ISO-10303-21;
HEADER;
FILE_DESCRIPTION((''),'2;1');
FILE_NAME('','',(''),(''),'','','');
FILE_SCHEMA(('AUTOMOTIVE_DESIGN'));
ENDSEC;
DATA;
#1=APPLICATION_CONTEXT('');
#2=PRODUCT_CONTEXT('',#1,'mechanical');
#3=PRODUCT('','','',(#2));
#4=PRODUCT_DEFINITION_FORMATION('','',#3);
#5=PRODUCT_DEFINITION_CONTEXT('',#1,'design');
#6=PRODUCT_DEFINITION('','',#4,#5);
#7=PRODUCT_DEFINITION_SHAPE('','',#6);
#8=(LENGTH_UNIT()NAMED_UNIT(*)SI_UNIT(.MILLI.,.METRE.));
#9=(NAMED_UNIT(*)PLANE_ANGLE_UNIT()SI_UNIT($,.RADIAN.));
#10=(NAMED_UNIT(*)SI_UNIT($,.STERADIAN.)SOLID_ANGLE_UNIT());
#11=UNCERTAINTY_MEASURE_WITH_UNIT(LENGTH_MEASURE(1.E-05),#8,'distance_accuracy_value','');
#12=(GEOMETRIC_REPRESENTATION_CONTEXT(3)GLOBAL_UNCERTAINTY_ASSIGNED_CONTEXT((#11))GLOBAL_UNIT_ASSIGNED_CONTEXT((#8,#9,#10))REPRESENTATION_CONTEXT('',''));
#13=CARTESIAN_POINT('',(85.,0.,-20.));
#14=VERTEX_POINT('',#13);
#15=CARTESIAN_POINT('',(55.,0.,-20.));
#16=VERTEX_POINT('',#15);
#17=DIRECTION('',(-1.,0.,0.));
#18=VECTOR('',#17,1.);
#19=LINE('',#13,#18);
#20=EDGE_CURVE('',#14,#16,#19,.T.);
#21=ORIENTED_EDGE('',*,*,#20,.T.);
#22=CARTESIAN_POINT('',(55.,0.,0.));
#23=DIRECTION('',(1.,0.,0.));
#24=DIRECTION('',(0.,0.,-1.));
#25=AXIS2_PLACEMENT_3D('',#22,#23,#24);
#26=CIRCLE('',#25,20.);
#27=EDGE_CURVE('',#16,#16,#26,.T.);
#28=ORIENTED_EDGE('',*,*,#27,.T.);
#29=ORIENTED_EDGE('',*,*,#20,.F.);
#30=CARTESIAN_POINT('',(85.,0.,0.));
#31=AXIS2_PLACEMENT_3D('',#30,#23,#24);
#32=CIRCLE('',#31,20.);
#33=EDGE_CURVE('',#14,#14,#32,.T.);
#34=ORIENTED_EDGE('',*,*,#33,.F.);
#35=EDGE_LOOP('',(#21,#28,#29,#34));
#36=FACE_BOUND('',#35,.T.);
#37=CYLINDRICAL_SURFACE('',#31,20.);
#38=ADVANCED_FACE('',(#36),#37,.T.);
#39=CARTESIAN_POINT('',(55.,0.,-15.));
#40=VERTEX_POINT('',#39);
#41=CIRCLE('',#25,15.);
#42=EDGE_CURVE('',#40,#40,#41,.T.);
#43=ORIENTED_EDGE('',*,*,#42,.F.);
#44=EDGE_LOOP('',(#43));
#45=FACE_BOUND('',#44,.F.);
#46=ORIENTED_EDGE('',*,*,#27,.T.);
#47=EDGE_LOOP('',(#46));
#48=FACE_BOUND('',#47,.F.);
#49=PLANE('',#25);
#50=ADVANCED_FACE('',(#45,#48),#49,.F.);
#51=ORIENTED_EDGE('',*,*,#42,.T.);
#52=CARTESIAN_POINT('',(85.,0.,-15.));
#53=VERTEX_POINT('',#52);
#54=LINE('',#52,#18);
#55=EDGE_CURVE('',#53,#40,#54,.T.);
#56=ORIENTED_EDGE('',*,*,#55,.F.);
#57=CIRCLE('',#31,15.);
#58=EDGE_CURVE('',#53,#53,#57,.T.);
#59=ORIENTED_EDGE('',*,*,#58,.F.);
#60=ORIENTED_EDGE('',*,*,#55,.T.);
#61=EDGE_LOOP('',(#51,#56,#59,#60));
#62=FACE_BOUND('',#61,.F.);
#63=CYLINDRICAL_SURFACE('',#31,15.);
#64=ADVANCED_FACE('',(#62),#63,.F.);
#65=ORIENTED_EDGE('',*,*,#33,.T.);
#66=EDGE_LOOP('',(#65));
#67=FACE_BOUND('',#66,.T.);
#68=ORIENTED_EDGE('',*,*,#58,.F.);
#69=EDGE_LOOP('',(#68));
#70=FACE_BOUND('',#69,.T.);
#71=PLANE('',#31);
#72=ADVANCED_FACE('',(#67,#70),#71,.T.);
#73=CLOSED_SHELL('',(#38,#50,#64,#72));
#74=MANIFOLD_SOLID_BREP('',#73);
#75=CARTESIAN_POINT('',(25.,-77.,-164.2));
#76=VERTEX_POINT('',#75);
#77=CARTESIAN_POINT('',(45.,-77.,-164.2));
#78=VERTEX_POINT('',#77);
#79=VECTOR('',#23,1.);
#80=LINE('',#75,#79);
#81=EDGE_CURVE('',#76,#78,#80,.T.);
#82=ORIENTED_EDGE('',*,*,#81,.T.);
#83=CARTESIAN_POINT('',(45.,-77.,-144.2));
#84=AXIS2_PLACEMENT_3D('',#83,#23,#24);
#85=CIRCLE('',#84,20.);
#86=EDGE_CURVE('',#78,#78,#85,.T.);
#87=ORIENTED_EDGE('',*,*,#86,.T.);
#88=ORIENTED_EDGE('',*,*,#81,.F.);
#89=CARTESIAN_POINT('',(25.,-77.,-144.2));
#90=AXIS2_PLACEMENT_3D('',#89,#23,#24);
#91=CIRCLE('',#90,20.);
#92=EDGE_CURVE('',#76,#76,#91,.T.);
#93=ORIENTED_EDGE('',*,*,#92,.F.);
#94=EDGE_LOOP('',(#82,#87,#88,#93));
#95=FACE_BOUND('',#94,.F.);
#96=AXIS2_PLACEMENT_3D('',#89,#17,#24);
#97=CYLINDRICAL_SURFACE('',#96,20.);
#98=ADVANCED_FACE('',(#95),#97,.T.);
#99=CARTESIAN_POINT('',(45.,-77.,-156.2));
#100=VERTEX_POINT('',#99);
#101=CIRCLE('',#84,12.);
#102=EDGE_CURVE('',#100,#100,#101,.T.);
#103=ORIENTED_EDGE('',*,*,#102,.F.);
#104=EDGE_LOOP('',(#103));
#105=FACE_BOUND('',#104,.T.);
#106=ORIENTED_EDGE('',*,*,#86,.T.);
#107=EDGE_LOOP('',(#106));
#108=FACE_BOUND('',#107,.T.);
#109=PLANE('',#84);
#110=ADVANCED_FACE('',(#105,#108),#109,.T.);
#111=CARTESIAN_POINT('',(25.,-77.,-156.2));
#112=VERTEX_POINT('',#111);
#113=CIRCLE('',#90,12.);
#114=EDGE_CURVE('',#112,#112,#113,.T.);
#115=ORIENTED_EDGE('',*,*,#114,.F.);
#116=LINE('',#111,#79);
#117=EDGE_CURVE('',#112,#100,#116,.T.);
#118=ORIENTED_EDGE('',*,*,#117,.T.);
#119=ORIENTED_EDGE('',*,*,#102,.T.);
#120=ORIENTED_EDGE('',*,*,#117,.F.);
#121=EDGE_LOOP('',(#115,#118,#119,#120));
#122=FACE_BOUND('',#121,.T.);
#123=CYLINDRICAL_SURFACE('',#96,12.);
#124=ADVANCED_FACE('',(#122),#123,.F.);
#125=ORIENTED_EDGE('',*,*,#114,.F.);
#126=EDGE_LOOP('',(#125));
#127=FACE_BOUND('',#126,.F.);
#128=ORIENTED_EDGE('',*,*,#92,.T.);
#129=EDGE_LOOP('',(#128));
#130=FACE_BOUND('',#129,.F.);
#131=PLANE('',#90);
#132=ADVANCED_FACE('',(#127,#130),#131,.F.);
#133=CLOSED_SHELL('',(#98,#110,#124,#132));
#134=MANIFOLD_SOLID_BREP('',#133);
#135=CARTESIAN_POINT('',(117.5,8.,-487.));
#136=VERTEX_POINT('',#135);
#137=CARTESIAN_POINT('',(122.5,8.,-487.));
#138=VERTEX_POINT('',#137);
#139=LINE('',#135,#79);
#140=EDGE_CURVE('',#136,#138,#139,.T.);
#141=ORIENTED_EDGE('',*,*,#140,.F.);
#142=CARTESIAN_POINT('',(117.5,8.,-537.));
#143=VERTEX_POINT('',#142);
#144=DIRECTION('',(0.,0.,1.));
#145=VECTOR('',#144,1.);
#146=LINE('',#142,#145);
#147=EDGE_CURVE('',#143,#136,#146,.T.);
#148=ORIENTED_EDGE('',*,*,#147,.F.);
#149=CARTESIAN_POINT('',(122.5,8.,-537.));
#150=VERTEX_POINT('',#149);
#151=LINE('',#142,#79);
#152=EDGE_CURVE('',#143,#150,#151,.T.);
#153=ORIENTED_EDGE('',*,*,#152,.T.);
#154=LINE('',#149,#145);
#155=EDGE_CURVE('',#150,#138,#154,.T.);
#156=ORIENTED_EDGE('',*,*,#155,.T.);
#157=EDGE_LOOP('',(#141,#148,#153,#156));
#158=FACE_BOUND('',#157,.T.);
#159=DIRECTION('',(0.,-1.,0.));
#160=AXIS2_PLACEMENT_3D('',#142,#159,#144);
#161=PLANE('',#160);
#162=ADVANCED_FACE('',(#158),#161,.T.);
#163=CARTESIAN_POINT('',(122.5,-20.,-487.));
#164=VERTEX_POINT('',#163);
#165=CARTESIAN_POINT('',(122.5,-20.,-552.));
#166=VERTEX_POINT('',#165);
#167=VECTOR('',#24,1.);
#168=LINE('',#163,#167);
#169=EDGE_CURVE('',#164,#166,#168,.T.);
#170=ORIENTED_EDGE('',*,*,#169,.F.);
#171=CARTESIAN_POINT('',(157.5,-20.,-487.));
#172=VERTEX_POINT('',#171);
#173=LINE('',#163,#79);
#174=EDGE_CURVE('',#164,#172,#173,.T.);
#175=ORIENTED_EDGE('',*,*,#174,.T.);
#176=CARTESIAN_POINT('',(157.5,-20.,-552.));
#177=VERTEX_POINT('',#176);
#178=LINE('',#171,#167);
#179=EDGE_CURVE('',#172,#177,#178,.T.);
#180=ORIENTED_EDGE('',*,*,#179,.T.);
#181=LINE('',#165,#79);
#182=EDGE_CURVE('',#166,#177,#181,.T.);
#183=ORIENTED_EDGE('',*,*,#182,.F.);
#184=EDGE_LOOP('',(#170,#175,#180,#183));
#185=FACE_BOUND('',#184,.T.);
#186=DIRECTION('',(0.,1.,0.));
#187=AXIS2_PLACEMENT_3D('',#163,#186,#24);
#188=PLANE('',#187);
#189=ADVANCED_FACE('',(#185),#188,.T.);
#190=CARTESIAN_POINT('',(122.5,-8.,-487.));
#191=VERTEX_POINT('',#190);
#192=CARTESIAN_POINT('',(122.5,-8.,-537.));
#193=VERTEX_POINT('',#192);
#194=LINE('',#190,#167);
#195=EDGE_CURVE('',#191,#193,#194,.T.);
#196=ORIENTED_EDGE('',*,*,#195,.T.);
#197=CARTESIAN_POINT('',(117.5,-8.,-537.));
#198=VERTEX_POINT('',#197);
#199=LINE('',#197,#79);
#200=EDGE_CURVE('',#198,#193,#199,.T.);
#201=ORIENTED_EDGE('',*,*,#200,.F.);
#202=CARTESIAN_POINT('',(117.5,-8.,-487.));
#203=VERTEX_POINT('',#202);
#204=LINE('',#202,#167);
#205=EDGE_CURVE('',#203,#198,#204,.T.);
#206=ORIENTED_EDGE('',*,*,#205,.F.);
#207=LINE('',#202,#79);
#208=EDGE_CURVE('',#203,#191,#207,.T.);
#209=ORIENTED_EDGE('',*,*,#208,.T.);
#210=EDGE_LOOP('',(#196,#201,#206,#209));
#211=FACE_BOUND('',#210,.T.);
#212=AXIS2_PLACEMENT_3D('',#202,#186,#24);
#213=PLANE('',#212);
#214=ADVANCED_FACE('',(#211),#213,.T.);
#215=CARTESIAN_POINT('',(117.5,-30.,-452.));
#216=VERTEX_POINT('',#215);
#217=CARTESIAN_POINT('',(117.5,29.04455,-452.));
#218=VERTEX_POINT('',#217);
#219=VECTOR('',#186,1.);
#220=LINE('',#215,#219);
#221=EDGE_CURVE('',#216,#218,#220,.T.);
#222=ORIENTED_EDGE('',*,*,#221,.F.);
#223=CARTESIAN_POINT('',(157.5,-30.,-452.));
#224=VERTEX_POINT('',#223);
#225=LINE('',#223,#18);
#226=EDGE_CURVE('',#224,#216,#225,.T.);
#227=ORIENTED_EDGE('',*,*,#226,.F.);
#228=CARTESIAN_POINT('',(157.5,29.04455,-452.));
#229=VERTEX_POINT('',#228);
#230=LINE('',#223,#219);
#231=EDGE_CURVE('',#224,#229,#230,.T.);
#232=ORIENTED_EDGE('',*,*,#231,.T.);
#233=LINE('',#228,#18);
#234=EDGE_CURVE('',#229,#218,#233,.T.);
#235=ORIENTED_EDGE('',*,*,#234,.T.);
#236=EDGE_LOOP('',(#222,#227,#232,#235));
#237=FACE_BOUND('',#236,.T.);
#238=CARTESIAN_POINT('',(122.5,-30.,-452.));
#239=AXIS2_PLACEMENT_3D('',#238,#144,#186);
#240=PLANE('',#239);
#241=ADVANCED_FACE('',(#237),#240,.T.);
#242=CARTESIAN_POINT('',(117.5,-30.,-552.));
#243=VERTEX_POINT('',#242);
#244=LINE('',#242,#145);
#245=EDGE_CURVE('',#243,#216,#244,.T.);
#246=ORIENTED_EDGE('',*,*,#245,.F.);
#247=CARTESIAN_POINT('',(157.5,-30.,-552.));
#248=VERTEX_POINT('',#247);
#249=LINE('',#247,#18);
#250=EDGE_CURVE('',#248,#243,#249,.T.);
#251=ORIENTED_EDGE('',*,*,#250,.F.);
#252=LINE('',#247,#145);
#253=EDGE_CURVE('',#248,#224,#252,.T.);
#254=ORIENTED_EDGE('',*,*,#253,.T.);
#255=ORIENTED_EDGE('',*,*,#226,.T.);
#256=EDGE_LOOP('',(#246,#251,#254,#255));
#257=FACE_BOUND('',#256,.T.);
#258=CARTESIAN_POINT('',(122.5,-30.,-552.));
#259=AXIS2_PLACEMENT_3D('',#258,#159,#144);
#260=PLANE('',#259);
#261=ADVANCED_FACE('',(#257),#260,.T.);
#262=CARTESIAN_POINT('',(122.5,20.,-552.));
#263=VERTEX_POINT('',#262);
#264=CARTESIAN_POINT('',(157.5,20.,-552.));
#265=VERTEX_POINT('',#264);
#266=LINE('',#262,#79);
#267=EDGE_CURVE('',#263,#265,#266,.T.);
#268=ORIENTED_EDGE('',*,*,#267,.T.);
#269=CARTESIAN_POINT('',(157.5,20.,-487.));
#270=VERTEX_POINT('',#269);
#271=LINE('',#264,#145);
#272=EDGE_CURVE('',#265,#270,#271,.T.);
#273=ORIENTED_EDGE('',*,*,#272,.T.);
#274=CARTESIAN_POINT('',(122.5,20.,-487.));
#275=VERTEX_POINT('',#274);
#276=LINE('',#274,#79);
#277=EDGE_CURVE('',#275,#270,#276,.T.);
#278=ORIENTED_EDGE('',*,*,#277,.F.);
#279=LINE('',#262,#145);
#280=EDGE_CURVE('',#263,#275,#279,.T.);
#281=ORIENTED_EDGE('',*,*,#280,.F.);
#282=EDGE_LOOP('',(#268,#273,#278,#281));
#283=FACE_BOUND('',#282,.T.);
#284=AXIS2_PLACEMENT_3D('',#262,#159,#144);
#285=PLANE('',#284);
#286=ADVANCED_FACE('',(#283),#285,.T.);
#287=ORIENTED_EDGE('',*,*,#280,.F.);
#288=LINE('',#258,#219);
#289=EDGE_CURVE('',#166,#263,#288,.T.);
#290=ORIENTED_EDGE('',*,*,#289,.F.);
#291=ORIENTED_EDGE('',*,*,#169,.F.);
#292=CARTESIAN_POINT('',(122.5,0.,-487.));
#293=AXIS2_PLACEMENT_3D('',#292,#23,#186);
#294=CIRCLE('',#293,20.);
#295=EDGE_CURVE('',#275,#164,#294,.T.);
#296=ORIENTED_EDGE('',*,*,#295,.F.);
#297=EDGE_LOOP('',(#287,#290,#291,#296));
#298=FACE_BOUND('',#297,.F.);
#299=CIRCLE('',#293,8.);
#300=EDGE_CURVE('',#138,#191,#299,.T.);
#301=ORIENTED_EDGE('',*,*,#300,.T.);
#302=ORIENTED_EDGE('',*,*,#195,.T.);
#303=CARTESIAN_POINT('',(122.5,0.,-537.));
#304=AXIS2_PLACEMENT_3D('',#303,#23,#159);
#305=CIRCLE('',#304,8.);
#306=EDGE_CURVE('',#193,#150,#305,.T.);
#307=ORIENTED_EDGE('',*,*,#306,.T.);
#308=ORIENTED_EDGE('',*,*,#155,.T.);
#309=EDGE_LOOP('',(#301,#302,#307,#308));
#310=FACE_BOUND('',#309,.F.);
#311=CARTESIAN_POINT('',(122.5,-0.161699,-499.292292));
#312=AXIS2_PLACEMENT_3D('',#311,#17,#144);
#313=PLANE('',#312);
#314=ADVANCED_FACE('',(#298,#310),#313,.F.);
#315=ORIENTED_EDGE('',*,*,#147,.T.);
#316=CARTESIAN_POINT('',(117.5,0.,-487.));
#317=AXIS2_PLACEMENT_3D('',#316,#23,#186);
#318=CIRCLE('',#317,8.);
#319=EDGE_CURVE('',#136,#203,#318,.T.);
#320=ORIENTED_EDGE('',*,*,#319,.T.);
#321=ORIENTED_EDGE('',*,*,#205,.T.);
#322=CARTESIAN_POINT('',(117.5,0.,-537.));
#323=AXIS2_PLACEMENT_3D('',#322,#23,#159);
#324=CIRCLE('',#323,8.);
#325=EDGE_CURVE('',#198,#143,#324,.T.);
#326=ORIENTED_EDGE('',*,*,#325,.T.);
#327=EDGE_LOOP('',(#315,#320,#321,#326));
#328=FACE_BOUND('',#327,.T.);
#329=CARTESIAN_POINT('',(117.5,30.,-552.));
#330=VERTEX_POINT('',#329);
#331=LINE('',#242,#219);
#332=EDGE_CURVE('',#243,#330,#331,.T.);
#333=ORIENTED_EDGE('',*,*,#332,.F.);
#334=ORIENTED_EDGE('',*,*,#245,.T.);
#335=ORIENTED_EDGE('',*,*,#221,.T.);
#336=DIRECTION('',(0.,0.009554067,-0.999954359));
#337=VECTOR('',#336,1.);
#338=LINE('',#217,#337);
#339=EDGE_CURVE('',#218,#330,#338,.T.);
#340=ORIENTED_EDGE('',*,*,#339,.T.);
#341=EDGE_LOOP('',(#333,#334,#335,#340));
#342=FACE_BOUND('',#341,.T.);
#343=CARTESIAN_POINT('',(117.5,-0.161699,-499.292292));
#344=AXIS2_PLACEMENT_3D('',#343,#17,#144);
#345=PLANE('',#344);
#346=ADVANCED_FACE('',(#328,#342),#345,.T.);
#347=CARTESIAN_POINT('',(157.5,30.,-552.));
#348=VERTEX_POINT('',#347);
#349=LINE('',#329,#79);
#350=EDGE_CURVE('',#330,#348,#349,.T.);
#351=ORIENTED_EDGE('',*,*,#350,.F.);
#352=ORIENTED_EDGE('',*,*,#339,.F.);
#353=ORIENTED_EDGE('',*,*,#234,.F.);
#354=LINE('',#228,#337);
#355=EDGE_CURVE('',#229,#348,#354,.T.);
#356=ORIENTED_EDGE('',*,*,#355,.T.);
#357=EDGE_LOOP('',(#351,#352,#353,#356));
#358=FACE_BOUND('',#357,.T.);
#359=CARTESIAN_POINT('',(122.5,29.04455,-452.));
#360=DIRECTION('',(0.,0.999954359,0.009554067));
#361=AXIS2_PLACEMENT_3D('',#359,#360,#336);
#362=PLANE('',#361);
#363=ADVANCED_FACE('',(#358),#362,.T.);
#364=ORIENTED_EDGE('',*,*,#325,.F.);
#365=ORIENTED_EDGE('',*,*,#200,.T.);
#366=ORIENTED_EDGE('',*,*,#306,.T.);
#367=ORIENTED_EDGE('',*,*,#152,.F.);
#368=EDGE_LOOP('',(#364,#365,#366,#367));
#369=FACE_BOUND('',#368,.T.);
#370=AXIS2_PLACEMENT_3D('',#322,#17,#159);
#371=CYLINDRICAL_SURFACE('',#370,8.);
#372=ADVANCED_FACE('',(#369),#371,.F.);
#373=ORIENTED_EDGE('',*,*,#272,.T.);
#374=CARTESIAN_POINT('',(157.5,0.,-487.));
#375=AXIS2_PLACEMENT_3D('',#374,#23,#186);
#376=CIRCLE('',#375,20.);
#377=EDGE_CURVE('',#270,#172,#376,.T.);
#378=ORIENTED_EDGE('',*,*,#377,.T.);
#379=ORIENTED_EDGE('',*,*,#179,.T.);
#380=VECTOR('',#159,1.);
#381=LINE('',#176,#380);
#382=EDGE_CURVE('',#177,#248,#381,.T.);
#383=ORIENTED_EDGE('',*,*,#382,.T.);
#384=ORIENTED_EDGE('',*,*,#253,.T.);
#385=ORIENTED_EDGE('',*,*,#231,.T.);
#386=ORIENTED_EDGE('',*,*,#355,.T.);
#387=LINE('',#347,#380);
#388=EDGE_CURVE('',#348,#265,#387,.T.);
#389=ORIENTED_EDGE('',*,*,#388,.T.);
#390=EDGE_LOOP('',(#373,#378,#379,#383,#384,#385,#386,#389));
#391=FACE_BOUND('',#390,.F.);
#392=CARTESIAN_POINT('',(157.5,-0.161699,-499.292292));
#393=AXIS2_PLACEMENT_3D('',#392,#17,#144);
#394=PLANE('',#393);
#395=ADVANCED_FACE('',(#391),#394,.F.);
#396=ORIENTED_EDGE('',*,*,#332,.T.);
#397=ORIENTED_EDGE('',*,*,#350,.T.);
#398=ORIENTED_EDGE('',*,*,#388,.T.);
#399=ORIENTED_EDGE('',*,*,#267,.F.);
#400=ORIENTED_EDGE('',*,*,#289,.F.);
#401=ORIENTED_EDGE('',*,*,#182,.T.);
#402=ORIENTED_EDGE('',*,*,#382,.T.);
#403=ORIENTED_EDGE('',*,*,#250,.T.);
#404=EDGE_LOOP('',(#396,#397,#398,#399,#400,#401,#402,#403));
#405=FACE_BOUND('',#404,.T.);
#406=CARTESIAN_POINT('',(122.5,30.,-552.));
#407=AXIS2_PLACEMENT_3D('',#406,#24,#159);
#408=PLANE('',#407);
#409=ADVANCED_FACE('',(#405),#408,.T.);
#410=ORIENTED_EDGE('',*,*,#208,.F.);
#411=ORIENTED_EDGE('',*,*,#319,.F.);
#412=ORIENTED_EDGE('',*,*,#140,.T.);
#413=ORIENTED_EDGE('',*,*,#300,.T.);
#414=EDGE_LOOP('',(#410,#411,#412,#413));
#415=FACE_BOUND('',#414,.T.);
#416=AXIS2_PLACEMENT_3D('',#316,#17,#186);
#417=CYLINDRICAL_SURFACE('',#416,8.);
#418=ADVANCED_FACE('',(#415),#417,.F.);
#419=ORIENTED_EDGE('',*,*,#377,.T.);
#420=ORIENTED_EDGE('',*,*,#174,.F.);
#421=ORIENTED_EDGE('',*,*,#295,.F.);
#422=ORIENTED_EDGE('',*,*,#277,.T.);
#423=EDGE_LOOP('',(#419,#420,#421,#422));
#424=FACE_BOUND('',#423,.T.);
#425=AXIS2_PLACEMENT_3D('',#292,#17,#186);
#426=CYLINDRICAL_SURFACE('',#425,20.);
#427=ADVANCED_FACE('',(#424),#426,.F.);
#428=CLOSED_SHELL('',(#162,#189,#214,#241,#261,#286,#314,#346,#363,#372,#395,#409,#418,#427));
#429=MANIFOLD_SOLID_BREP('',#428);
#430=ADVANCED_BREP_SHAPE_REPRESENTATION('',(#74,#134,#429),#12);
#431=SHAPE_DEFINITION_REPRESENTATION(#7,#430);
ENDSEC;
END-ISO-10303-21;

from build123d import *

# Parameters (mm, degrees)
TYLNE_START              = -7.5
TYLNE_KO_O_DEPTH         = 5
TYLENE_START             = -2.5
TYLENE_KO_O_2_DEPTH      = 35
RAMA_START               = -50
SZKIC_INSERT_RAMA_R      = 20
SZKIC_INSERT_RAMA_R_2    = 15
RAMA_DEPTH               = 30
LINKAGE_START            = 25
SZKIC_INSERT_LINKAGE_R   = 20
SZKIC_INSERT_LINKAGE_R_2 = 12
LINKAGE_DEPTH            = 20


with BuildPart() as part:
    # Szkic - insert - tylne koło → Tylne koło (new body)
    with BuildSketch(Plane(origin=(125, 0, 0), x_dir=(0, 0, -1), z_dir=(1, 0, 0)).offset(TYLNE_START)):
        with BuildLine():
            ThreePointArc((487, 20), (467, 0), (487, -20))
            Line((487, -20), (552, -20))
            Line((552, -20), (552, -30))
            Line((552, -30), (452, -30))
            Line((452, -30), (452, 29.044549731))
            Line((452, 29.044549731), (552, 30))
            Line((552, 30), (552, 20))
            Line((552, 20), (487, 20))
        make_face()
        with BuildLine():
            Line((487, 20), (552, 20))
            Line((552, 20), (552, -20))
            Line((552, -20), (487, -20))
            ThreePointArc((487, -20), (467, 0), (487, 20))
        make_face()
        with BuildLine():
            ThreePointArc((537, -8), (545, 0), (537, 8))
            Line((537, 8), (487, 8))
            ThreePointArc((487, 8), (479, 0), (487, -8))
            Line((487, -8), (537, -8))
        make_face(mode=Mode.SUBTRACT)
    extrude(amount=TYLNE_KO_O_DEPTH)

    # Szkic - insert - tylne koło<6> → Tylene koło 2 (add)
    with BuildSketch(Plane(origin=(125, 0, 0), x_dir=(0, 0, -1), z_dir=(1, 0, 0)).offset(TYLENE_START)):
        with BuildLine():
            ThreePointArc((487, 20), (467, 0), (487, -20))
            Line((487, -20), (552, -20))
            Line((552, -20), (552, -30))
            Line((552, -30), (452, -30))
            Line((452, -30), (452, 29.044549731))
            Line((452, 29.044549731), (552, 30))
            Line((552, 30), (552, 20))
            Line((552, 20), (487, 20))
        make_face()
    extrude(amount=TYLENE_KO_O_2_DEPTH)


with BuildPart() as body_2:
    # Szkic - insert - rama → Rama (new body)
    with BuildSketch(Plane(origin=(135, 0, 0), x_dir=(0, 0, -1), z_dir=(1, 0, 0)).offset(RAMA_START)):
        Circle(SZKIC_INSERT_RAMA_R)
        Circle(SZKIC_INSERT_RAMA_R_2, mode=Mode.SUBTRACT)
    extrude(amount=-RAMA_DEPTH)


with BuildPart() as body_3:
    # Szkic - insert - linkage → Linkage (new body)
    with BuildSketch(Plane(origin=(0, 0, 0), x_dir=(0, 0, -1), z_dir=(1, 0, 0)).offset(LINKAGE_START)):
        with Locations((144.2, -77)):
            Circle(SZKIC_INSERT_LINKAGE_R)
        with Locations((144.2, -77)):
            Circle(SZKIC_INSERT_LINKAGE_R_2, mode=Mode.SUBTRACT)
    extrude(amount=LINKAGE_DEPTH)


solid = Compound([part.part, body_2.part, body_3.part])
